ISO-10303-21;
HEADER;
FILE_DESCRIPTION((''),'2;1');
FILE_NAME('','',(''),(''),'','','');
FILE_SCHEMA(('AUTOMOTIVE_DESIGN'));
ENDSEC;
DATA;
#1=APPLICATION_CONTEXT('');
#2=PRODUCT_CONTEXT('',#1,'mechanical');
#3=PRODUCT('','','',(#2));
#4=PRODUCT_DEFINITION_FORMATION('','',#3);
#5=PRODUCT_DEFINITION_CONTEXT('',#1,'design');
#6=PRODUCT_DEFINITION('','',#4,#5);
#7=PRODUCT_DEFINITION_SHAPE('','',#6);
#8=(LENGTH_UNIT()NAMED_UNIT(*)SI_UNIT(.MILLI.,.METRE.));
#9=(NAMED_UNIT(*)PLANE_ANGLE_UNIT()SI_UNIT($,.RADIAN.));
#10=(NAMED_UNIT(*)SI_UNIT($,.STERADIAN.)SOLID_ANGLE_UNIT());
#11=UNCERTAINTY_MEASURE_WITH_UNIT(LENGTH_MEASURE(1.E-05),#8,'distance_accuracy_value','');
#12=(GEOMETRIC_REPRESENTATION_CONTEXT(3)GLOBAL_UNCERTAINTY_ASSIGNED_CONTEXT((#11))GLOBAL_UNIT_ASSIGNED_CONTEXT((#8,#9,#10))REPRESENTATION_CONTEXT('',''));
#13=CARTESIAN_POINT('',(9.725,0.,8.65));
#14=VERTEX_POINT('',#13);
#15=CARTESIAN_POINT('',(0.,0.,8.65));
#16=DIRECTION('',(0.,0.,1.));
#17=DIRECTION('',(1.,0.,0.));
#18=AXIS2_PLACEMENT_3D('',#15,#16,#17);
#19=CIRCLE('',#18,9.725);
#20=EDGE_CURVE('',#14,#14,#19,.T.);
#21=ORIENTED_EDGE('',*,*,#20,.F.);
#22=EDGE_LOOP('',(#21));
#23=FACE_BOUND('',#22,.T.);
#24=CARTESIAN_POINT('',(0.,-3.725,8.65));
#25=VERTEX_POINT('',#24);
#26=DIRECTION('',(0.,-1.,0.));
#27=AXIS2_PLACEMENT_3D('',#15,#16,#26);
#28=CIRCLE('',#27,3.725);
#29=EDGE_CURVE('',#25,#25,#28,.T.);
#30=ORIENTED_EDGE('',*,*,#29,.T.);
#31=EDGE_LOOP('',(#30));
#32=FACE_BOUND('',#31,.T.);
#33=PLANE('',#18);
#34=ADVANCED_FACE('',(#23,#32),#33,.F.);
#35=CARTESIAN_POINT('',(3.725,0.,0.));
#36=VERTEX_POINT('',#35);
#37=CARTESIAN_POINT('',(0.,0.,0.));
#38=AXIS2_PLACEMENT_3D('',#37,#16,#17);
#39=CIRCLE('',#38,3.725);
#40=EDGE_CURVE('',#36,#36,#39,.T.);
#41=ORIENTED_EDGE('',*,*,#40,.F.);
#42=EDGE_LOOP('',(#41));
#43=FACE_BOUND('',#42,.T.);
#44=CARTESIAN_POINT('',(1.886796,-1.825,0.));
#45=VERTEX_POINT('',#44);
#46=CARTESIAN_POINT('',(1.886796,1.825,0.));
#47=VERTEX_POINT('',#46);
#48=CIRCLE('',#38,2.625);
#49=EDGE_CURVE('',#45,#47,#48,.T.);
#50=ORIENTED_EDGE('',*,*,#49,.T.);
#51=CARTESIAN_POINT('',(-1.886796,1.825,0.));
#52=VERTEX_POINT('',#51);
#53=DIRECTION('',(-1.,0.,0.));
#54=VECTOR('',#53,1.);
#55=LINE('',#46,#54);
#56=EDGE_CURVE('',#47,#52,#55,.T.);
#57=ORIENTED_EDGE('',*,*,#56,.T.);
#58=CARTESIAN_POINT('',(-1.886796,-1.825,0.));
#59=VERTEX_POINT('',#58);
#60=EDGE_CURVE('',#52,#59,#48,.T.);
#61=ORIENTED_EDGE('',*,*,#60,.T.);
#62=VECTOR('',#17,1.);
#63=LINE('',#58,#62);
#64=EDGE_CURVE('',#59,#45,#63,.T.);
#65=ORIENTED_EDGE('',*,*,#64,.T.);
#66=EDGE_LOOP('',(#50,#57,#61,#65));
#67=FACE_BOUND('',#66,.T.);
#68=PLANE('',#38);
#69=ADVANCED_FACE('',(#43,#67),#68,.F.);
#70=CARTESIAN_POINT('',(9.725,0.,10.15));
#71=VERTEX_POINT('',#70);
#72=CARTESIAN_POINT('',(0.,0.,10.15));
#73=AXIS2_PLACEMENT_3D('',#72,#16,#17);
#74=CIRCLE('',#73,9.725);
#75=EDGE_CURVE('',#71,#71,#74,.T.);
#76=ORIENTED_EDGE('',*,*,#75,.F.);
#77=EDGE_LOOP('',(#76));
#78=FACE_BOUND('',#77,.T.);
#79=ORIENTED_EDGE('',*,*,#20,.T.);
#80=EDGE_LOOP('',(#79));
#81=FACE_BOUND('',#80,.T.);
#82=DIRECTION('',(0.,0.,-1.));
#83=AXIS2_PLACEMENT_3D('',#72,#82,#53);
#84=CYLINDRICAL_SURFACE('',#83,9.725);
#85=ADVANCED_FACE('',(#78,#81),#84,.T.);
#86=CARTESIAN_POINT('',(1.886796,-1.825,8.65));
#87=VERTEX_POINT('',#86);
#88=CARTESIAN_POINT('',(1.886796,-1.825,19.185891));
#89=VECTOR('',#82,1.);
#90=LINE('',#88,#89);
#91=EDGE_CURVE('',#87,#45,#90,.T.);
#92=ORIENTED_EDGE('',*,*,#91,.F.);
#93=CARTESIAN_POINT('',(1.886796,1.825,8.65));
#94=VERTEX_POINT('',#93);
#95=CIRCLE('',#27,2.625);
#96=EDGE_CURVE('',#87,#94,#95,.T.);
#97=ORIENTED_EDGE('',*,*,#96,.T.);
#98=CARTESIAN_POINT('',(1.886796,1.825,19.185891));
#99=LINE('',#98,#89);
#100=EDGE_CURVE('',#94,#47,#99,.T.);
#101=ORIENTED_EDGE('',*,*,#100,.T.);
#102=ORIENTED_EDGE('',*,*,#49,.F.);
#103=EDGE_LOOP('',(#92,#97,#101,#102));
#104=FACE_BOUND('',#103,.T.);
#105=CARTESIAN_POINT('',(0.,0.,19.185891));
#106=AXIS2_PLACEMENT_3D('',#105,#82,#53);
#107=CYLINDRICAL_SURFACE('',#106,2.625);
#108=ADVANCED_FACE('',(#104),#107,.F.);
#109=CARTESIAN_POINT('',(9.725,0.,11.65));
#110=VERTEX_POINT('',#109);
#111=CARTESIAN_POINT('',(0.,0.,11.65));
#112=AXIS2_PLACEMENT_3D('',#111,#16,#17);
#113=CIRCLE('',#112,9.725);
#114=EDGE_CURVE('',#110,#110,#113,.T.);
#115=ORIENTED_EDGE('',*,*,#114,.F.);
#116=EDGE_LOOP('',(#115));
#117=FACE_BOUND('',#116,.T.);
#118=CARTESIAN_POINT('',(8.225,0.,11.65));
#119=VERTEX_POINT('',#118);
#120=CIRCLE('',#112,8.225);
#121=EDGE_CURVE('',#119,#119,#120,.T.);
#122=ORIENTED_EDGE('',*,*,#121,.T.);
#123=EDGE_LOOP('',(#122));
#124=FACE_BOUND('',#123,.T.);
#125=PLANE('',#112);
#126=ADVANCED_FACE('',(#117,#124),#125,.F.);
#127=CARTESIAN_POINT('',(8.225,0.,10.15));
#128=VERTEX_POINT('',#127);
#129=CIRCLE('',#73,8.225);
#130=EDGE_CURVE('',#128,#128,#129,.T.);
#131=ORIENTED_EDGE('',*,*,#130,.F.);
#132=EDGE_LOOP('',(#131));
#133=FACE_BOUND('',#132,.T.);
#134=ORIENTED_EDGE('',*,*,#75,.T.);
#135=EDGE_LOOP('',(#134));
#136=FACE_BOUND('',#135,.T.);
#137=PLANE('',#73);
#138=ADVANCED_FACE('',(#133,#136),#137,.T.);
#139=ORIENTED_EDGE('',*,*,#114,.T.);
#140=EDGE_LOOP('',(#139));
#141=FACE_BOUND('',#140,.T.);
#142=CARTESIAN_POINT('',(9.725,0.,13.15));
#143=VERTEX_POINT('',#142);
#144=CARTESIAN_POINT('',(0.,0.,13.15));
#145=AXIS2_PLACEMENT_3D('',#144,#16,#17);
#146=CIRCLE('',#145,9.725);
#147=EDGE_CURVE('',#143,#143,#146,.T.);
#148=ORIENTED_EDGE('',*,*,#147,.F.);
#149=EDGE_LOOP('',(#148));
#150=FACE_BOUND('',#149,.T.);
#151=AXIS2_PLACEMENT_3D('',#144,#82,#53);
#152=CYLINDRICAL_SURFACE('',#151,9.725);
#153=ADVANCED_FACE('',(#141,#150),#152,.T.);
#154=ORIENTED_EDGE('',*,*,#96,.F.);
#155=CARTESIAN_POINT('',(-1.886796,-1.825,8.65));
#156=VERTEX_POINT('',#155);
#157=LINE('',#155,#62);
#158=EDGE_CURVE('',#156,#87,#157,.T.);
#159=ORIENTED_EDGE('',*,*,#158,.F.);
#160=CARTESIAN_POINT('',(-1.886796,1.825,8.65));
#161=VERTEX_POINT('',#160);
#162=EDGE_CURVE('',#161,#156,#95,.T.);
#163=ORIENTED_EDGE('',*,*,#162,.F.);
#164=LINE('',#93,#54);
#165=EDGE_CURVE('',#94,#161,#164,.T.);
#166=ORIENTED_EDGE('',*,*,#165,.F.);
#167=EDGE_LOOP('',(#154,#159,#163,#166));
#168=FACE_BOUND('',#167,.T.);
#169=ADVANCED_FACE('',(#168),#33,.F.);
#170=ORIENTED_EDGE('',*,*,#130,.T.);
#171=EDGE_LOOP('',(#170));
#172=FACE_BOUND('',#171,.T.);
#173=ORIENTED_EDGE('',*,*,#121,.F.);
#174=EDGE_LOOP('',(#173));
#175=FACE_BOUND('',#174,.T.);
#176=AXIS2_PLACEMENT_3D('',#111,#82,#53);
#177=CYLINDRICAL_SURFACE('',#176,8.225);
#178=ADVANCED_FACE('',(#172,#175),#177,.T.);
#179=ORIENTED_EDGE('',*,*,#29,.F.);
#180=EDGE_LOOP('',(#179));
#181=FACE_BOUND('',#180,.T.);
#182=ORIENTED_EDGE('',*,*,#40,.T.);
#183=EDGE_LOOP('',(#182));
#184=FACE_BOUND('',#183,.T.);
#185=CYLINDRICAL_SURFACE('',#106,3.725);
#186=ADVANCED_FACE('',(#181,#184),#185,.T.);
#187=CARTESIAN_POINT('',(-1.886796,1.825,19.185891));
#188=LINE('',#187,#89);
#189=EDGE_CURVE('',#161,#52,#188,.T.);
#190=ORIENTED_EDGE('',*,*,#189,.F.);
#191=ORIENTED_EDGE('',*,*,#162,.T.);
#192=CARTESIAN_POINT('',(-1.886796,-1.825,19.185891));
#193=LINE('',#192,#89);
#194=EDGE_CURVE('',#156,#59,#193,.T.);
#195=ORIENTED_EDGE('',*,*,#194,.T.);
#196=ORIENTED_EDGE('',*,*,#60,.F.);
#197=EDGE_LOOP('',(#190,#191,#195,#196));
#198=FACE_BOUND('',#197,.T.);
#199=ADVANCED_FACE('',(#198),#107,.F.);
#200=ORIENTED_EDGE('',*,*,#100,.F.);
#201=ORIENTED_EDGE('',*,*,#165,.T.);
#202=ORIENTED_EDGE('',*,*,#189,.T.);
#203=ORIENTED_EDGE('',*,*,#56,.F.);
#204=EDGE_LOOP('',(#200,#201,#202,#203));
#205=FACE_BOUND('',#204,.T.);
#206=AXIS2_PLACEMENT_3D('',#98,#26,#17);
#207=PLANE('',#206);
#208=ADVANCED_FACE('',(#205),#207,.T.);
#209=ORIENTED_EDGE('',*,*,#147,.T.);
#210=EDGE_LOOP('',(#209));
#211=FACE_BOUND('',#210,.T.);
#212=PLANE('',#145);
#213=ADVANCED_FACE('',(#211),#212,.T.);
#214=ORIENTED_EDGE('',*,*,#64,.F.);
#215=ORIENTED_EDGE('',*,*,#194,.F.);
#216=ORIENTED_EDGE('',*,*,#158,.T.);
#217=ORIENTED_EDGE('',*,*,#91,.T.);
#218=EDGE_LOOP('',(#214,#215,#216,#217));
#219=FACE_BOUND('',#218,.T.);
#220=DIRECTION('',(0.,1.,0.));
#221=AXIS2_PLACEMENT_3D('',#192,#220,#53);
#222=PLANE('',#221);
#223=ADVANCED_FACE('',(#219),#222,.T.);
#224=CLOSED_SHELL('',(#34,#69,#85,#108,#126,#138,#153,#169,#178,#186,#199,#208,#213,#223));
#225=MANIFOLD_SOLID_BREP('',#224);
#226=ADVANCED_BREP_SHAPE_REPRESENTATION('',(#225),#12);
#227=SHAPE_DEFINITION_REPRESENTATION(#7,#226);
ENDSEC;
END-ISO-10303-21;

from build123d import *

# Parameters (mm, degrees)
SKETCH1_R           = 3.725
BOSS_EXTRUDE1_DEPTH = 8.65
SKETCH2_R           = 9.725
BOSS_EXTRUDE2_DEPTH = 1.5
SKETCH3_R           = 8.225
BOSS_EXTRUDE3_DEPTH = 1.5
SKETCH5_R           = 9.725
BOSS_EXTRUDE5_DEPTH = 1.5


with BuildPart() as part:
    # Sketch1 → Boss-Extrude1 (new body)
    with BuildSketch(Plane.XY):
        with Locations(Location((0, 0, 0), (0, 0, 270))):
            Circle(SKETCH1_R)
        with BuildLine():
            Line((-1.886796226, -1.825), (1.886796226, -1.825))
            ThreePointArc((1.886796226, -1.825), (2.625, 0), (1.886796226, 1.825))
            Line((1.886796226, 1.825), (-1.886796226, 1.825))
            ThreePointArc((-1.886796226, 1.825), (-2.625, 0), (-1.886796226, -1.825))
        make_face(mode=Mode.SUBTRACT)
    extrude(amount=BOSS_EXTRUDE1_DEPTH)

    # Sketch2 → Boss-Extrude2 (add)
    with BuildSketch(Plane.XY.offset(8.65)):
        Circle(SKETCH2_R)
    extrude(amount=BOSS_EXTRUDE2_DEPTH)

    # Sketch3 → Boss-Extrude3 (add)
    with BuildSketch(Plane.XY.offset(10.15)):
        Circle(SKETCH3_R)
    extrude(amount=BOSS_EXTRUDE3_DEPTH)

    # Sketch5 → Boss-Extrude5 (add)
    with BuildSketch(Plane.XY.offset(11.65)):
        Circle(SKETCH5_R)
    extrude(amount=BOSS_EXTRUDE5_DEPTH)


solid = part.part
